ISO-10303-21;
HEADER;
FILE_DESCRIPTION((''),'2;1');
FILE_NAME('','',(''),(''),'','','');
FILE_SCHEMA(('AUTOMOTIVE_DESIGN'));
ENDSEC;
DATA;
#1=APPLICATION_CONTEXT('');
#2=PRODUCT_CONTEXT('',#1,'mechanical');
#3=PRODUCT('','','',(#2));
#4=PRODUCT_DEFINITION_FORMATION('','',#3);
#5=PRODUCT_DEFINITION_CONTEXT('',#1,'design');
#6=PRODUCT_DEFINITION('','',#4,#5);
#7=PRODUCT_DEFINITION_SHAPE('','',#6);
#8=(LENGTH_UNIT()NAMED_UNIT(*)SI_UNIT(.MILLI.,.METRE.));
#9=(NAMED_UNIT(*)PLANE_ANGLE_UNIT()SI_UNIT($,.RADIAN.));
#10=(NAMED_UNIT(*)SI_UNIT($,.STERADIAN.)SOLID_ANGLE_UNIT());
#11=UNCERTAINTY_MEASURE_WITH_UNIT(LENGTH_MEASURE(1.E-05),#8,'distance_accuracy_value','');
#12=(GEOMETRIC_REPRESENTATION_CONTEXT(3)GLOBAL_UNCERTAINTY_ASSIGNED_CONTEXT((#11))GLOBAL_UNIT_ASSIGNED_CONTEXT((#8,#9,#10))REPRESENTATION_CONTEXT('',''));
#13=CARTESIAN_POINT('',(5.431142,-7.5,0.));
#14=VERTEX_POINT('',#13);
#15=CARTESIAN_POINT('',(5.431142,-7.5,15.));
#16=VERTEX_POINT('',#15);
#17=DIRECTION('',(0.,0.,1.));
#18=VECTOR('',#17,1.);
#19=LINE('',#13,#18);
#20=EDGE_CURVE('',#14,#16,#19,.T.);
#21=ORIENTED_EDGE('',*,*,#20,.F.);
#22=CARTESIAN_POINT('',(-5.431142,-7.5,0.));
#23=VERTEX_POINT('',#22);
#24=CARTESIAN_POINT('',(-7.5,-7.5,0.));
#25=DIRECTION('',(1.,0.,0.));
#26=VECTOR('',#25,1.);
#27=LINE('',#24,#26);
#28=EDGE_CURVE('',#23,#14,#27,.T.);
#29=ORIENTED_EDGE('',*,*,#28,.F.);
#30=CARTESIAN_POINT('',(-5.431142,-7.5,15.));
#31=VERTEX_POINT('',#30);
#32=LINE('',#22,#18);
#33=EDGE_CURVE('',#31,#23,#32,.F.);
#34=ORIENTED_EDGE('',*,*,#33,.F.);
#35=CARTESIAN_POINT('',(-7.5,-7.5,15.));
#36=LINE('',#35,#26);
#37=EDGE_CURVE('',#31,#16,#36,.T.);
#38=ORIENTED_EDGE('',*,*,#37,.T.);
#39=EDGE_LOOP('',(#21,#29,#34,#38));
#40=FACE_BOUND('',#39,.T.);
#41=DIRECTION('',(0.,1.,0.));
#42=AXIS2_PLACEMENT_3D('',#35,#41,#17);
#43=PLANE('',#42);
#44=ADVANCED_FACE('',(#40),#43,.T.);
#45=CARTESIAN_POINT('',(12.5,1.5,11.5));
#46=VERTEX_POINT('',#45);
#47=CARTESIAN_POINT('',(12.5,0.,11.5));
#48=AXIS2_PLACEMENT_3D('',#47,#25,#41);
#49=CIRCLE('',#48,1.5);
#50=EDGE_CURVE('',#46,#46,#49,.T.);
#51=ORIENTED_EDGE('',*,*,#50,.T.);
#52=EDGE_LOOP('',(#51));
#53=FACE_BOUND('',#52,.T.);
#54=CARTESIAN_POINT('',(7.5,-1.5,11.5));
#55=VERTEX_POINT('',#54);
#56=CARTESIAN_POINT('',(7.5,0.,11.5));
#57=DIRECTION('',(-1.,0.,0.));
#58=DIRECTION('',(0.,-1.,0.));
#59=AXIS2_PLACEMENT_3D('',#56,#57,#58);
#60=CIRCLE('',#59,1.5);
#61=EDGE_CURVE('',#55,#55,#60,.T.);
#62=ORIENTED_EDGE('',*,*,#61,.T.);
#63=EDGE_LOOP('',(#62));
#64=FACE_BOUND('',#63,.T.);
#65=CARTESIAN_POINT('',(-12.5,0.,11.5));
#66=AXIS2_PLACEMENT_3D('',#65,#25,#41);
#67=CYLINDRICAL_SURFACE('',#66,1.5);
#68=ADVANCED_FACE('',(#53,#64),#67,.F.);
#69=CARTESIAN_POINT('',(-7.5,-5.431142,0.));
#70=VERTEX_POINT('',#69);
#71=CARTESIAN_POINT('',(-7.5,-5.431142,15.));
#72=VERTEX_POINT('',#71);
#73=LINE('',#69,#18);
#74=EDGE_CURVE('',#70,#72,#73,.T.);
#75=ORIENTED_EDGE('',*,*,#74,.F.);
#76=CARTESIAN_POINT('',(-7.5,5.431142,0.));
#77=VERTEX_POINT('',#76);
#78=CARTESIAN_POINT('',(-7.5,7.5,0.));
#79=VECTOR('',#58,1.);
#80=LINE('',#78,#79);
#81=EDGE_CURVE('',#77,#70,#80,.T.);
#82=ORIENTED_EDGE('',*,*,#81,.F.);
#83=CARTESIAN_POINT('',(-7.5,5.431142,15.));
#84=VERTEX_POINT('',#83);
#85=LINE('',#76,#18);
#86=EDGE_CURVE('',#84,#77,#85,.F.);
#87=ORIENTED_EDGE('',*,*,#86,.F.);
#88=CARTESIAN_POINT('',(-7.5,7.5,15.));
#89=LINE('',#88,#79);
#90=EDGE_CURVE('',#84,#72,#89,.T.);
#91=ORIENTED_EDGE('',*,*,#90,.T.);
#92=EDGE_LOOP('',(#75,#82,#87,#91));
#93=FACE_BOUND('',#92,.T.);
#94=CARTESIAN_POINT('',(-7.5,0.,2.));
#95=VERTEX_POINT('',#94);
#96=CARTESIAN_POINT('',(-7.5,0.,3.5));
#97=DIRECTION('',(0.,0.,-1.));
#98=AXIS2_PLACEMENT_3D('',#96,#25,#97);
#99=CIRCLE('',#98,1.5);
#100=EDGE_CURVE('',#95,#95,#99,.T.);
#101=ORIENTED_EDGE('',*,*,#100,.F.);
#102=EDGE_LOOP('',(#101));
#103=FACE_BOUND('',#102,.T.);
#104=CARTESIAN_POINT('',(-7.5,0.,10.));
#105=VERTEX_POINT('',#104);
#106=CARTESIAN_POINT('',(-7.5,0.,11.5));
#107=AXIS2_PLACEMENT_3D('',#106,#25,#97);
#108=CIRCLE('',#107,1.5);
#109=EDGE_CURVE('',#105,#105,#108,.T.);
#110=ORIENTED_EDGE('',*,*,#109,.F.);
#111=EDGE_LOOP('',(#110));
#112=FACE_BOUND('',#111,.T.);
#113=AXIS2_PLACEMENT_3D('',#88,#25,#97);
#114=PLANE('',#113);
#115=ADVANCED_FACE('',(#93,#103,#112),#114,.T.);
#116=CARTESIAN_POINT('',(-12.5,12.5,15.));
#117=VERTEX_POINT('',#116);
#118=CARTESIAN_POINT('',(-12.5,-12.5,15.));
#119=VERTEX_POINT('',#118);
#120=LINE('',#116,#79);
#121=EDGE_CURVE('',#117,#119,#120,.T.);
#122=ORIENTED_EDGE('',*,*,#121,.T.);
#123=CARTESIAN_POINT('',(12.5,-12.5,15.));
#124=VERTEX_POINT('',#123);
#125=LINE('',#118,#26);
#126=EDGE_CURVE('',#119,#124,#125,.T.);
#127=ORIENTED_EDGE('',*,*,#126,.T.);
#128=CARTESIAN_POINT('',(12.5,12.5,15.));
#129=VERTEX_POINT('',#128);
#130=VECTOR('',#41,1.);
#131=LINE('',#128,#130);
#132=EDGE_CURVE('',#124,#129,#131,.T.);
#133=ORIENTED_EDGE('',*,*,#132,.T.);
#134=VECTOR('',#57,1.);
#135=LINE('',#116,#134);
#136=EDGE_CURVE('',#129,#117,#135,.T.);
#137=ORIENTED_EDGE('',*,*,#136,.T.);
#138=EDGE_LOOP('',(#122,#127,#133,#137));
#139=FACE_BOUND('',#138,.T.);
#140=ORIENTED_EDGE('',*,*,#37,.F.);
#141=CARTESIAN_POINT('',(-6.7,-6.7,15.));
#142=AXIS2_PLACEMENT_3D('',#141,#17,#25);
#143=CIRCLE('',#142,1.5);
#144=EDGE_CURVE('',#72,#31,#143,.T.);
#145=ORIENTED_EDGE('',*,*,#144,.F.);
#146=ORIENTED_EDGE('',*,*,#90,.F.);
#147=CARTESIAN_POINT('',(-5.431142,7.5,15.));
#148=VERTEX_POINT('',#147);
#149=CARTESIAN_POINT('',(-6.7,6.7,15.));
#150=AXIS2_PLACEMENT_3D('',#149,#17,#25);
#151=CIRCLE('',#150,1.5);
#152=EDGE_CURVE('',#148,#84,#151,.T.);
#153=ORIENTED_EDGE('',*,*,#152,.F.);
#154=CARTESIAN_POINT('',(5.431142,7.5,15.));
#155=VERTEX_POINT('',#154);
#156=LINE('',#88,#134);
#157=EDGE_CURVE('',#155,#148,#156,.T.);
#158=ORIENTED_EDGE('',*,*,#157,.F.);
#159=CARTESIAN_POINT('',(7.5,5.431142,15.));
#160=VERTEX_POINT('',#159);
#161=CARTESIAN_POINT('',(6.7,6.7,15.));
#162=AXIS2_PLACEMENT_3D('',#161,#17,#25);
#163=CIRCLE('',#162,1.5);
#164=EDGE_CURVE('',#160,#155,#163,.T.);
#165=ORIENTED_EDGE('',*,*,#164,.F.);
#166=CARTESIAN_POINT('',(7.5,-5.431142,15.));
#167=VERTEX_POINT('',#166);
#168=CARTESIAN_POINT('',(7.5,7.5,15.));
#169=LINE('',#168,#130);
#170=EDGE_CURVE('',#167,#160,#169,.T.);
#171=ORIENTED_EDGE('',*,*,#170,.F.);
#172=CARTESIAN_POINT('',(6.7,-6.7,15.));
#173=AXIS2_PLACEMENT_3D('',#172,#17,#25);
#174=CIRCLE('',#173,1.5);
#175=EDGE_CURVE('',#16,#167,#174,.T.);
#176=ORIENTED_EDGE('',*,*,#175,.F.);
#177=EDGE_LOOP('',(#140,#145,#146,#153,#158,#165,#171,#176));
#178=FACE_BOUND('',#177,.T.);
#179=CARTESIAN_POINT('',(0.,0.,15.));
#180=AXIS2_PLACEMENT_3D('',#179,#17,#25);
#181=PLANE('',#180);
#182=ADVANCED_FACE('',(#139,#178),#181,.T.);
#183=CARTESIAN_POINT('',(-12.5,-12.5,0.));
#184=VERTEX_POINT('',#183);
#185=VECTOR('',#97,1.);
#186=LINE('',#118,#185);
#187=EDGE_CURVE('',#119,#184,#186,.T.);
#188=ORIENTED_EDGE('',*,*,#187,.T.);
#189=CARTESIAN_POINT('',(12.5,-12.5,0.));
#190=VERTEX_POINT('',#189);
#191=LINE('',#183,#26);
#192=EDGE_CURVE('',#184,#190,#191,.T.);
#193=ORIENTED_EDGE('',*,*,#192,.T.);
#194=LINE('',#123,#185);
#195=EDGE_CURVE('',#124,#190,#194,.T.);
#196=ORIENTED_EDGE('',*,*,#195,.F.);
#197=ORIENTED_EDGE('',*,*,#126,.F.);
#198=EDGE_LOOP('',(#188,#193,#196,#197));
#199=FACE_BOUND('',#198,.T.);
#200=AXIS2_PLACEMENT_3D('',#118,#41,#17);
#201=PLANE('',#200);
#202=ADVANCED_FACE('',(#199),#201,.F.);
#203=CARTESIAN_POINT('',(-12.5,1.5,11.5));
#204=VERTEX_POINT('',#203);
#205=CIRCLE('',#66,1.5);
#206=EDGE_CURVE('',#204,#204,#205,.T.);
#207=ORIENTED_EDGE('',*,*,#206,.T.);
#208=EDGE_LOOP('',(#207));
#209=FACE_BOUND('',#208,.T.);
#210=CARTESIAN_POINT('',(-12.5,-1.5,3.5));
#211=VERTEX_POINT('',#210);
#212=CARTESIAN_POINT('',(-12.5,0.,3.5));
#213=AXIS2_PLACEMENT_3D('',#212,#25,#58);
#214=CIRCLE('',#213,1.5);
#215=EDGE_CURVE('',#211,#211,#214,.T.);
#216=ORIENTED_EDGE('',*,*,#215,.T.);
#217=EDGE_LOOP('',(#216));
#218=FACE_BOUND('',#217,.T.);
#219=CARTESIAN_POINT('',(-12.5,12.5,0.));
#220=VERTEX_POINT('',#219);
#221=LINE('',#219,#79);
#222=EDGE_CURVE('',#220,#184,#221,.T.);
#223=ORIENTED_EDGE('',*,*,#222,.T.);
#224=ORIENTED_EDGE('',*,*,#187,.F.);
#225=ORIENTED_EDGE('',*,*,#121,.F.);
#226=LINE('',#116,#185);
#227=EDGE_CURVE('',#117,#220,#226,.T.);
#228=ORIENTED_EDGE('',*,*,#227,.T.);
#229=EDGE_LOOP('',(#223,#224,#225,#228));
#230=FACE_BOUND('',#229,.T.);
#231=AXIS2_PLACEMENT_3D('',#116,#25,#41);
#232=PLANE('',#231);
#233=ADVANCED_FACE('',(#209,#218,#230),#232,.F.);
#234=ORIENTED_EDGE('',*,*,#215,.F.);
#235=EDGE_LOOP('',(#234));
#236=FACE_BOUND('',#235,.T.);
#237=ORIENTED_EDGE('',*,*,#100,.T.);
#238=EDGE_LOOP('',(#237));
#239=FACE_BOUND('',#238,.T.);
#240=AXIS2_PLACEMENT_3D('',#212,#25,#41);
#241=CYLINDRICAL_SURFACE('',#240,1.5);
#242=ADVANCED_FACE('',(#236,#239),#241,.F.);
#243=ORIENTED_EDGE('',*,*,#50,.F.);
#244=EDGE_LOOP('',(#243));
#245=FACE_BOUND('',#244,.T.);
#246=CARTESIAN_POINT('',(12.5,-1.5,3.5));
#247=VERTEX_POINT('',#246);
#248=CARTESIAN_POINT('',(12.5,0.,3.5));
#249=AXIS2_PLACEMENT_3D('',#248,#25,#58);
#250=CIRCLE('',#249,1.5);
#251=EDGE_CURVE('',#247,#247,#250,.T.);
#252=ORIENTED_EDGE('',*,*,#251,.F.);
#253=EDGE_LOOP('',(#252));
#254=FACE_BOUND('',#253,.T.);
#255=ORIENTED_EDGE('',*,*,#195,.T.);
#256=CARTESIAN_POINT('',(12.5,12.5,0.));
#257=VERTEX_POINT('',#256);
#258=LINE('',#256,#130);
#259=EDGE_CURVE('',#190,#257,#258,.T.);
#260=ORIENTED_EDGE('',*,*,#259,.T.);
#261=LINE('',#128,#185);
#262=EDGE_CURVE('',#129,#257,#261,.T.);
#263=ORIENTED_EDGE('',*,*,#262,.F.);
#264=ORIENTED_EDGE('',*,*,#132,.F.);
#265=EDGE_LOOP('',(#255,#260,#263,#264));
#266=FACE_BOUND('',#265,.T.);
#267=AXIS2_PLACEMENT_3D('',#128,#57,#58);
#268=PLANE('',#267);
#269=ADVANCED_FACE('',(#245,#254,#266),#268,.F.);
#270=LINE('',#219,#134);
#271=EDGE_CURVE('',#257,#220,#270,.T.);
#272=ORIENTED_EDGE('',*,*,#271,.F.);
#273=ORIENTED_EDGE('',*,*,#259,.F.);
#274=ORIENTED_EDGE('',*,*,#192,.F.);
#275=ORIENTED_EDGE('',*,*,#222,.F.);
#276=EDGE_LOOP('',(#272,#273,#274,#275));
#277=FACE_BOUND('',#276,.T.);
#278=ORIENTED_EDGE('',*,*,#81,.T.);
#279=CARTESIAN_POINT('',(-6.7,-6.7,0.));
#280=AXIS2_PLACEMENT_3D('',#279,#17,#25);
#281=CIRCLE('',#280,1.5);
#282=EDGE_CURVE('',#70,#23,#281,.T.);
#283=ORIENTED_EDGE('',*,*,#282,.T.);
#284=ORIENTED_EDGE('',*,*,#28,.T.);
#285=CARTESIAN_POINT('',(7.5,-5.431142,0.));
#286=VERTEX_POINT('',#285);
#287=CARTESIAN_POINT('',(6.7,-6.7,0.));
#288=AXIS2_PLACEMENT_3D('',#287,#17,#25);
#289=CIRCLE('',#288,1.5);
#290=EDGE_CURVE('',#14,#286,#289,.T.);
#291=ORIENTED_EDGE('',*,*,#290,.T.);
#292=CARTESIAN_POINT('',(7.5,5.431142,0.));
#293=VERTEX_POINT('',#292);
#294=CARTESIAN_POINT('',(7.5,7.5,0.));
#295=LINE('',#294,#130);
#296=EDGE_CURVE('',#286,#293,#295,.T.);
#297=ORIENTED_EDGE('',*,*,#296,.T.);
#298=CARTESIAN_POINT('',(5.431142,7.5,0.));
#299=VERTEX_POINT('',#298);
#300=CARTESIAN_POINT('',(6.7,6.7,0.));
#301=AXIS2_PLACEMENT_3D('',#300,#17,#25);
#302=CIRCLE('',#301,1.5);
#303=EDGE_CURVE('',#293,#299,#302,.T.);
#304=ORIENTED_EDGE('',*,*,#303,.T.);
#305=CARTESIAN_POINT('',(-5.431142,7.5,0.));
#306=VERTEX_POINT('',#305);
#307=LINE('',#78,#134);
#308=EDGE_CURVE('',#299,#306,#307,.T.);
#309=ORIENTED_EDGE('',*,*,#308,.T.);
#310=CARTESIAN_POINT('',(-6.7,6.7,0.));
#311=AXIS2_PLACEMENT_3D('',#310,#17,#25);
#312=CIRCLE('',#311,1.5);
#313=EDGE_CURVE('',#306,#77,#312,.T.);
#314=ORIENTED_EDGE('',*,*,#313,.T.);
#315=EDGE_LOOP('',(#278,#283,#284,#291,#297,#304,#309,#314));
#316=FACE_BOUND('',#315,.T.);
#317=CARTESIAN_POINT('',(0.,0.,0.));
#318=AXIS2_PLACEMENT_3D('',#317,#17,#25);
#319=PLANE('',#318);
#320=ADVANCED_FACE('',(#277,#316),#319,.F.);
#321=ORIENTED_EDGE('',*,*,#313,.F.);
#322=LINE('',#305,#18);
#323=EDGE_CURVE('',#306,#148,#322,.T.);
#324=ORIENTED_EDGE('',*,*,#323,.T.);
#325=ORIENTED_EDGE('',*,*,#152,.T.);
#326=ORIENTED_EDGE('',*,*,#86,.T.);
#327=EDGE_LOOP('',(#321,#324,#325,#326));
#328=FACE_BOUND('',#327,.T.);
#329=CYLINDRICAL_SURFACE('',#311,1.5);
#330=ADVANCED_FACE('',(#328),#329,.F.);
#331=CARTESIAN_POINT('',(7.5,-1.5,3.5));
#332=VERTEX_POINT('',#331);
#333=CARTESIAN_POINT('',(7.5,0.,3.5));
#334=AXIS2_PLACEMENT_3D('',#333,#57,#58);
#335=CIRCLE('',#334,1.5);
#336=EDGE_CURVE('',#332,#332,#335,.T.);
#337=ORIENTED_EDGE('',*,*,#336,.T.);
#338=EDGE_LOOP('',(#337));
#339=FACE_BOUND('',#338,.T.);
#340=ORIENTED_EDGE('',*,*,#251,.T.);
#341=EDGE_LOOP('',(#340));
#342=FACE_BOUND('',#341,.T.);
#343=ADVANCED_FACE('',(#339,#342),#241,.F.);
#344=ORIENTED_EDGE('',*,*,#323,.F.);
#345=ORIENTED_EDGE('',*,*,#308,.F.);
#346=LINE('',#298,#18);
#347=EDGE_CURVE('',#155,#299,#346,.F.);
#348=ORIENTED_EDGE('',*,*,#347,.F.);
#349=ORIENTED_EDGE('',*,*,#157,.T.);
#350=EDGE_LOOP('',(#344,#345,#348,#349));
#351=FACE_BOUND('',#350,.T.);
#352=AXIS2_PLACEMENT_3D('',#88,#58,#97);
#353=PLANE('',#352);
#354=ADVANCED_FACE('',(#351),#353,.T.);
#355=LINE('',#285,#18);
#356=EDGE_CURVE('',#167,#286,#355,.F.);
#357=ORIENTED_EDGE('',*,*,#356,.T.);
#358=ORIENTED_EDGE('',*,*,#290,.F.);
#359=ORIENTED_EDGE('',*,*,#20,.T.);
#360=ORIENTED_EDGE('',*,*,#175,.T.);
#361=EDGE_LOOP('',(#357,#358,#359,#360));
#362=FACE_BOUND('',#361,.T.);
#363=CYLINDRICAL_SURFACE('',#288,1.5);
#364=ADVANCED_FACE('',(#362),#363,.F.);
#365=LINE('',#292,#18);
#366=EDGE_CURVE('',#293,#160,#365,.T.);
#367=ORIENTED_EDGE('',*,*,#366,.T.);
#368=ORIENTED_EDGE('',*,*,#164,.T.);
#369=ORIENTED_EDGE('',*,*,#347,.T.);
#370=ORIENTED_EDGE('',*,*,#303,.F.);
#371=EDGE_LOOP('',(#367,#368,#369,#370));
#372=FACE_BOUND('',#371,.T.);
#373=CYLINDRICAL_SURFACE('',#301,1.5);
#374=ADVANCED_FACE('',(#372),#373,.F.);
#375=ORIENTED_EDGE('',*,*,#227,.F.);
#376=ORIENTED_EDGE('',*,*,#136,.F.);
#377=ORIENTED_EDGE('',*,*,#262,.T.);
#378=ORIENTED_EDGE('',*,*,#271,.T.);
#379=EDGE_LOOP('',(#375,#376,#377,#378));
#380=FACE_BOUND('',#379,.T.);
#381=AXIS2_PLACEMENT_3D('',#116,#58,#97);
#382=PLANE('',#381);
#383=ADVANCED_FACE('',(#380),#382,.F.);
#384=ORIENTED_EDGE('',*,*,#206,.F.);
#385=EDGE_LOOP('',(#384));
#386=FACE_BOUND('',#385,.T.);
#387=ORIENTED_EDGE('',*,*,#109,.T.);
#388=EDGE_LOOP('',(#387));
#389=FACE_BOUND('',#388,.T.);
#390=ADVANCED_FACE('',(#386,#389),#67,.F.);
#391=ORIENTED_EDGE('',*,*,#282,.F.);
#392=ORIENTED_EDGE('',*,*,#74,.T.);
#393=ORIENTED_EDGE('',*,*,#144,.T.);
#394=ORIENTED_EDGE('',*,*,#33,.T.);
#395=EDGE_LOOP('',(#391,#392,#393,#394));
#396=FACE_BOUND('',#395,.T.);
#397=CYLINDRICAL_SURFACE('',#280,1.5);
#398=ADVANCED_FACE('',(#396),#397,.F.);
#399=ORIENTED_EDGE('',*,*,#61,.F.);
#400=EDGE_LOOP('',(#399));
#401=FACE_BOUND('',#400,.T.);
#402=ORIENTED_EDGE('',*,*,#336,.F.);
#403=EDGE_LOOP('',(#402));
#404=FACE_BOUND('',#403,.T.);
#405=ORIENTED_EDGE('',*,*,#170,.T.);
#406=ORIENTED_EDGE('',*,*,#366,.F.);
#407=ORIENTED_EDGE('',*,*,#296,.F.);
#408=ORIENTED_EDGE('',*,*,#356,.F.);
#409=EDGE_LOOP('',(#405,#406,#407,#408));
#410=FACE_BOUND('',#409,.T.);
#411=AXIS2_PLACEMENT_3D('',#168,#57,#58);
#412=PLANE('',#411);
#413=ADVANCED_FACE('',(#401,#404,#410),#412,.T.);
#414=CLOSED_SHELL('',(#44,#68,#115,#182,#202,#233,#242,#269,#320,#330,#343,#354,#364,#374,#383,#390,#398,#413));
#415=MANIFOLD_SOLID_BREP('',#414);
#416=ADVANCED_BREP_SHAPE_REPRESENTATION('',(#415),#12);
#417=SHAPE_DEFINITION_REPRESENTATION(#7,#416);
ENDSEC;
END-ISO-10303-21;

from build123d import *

# Parameters (mm, degrees)
SKETCH_1_W          = 25
SKETCH_1_H          = 25
SKETCH_1_W_2        = 15
SKETCH_1_H_2        = 15
EXTRUDE_1_DEPTH     = 15
SKETCH_2_R          = 1.5
CUT_EXTRUDE_1_DEPTH = 24.184046239
SKETCH_3_R          = 1.5
CUT_EXTRUDE_2_DEPTH = 32.721443851


with BuildPart() as part:
    # 草图1 → 凸台-拉伸1 (new body)
    with BuildSketch(Plane.XY):
        Rectangle(SKETCH_1_W, SKETCH_1_H)
        Rectangle(SKETCH_1_W_2, SKETCH_1_H_2, mode=Mode.SUBTRACT)
    extrude(amount=EXTRUDE_1_DEPTH)

    # 草图2 → 切除-拉伸1 (cut, through all)
    with BuildSketch(Plane.XY.offset(15)):
        with Locations((6.7, 6.7)):
            Circle(SKETCH_2_R)
        with Locations((6.7, -6.7)):
            Circle(SKETCH_2_R)
        with Locations((-6.7, -6.7)):
            Circle(SKETCH_2_R)
        with Locations((-6.7, 6.7)):
            Circle(SKETCH_2_R)
    extrude(amount=-CUT_EXTRUDE_1_DEPTH, mode=Mode.SUBTRACT)

    # 草图3 → 切除-拉伸2 (cut, through all)
    with BuildSketch(Plane(origin=(12.5, 0, 0), x_dir=(0, 0, -1), z_dir=(1, 0, 0))):
        with Locations(Location((-11.5, 0, 0), (0, 0, 90))):
            Circle(SKETCH_3_R)
        with Locations((-3.5, 0)):
            Circle(SKETCH_3_R)
    extrude(amount=-CUT_EXTRUDE_2_DEPTH, mode=Mode.SUBTRACT)


solid = part.part
